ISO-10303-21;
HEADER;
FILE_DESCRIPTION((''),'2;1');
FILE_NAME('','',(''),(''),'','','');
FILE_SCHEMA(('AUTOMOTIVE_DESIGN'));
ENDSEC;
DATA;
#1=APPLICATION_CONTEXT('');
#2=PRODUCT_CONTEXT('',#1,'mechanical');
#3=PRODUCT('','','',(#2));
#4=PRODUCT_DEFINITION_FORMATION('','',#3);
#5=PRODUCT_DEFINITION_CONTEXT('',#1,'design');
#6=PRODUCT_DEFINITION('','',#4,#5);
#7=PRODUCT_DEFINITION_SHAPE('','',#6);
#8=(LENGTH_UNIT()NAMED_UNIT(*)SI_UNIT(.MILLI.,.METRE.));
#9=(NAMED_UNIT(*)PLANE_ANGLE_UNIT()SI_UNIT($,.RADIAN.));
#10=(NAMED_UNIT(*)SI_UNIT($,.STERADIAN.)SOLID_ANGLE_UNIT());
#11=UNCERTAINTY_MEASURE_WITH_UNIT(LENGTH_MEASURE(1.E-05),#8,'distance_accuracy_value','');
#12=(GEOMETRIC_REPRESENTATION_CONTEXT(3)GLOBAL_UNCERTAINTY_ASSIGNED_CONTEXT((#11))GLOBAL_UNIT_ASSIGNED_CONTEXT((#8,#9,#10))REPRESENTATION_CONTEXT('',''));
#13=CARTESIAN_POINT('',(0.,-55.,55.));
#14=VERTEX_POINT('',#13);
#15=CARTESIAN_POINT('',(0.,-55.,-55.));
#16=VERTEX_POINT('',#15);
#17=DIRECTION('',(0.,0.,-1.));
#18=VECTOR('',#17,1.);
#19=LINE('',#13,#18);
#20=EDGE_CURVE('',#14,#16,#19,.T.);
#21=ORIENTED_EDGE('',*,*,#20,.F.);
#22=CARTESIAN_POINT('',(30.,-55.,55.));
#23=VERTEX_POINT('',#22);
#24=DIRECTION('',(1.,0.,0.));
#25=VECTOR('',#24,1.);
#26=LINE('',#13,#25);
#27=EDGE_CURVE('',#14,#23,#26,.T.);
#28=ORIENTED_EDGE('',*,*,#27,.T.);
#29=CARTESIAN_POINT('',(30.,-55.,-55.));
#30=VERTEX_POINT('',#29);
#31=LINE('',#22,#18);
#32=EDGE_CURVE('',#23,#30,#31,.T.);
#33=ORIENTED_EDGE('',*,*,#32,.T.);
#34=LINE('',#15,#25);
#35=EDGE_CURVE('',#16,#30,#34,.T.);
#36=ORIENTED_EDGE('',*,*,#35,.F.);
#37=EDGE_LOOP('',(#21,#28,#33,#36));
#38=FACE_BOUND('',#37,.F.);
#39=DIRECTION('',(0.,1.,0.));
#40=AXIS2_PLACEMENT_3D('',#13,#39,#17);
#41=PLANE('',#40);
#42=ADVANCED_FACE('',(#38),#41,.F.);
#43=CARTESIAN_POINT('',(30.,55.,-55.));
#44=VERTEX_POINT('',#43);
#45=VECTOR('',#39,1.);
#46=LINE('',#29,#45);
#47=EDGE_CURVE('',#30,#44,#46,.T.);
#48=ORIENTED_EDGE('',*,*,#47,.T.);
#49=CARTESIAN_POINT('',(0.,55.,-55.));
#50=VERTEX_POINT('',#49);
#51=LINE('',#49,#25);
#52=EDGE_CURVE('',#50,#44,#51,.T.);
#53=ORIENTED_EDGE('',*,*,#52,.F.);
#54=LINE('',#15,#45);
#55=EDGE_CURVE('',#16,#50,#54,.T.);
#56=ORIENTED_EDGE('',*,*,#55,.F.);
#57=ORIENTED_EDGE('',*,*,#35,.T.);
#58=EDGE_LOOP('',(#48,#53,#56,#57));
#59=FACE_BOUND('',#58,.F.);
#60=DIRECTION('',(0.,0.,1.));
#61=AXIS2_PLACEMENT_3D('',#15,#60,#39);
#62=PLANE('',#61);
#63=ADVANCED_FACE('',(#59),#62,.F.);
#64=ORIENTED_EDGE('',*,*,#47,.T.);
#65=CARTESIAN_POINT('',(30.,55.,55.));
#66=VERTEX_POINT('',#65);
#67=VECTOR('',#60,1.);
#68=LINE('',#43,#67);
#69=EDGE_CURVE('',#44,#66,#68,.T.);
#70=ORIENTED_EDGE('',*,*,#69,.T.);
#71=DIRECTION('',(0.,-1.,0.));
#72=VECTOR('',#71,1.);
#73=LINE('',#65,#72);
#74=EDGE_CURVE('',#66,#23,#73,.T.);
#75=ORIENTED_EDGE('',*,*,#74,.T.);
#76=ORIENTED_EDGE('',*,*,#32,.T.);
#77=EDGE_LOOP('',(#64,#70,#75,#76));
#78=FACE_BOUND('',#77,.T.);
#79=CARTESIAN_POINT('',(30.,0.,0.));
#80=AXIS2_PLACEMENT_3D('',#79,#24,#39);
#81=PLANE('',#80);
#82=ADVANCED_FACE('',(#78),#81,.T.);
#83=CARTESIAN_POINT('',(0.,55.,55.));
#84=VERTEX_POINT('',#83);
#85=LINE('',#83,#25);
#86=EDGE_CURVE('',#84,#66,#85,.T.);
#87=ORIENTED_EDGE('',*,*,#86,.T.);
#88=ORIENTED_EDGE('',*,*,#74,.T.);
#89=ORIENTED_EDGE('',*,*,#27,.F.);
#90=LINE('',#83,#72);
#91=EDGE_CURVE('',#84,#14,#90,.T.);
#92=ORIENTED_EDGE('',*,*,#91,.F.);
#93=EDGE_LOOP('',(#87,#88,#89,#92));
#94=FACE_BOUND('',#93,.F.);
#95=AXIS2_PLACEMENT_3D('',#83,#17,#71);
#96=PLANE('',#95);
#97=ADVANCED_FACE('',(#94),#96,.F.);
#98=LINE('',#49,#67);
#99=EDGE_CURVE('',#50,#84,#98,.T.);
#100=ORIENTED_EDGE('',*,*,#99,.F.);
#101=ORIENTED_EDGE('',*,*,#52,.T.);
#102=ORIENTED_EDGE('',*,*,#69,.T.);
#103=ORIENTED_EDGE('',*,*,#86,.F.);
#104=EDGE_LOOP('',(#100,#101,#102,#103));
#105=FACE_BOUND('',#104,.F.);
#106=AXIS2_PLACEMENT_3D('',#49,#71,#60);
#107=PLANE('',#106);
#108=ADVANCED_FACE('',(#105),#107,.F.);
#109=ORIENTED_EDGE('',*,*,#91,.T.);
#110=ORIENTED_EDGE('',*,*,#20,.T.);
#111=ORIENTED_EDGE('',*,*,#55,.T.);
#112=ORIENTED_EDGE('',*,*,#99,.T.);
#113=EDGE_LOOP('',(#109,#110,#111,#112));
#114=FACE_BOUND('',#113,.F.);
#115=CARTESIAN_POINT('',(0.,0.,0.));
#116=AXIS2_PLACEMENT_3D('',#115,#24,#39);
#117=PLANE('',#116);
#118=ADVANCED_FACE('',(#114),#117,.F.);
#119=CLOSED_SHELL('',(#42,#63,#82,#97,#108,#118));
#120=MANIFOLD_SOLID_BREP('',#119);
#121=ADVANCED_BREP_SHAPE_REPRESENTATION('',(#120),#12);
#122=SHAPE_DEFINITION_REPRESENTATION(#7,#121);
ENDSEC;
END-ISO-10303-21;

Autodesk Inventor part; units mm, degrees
ref_plane "YZ Plane" through (0, 0, 0) normal (1, 0, 0) x (0, 1, 0)
ref_plane "XZ Plane" through (0, 0, 0) normal (0, 1, 0) x (-1, 0, 0)
ref_plane "XY Plane" through (0, 0, 0) normal (0, 0, 1) x (1, 0, 0)
sketch "Sketch1" plane through (0, 0, 0) normal (1, 0, 0) x (0, 1, 0)
  line L0 (-55, -55) -> (55, -55)
  line L1 (55, -55) -> (55, 55)
  line L2 (55, 55) -> (-55, 55)
  line L3 (-55, 55) -> (-55, -55)
  line L4 (-55, -55) -> (55, 55) construction
  line L5 (55, -55) -> (-55, 55) construction
  point P0 (0, 0)
  dimension "d0" = 110
  dimension "d1" = 110
extrude "Extrusion1" add sketch "Sketch1" along normal blind 30
equation "\"d0\" = aerogelWidth"
equation "\"d1\" = aerogelHeight"
equation "\"d2\" = aerogelThickness"
equation "\"plasticThickness\" = 6.35"
equation "\"aerogelThickness\" = 30"
equation "\"aerogelWidth\" = 110"
equation "\"aerogelHeight\" = 110"
equation "\"aerogelHolderDepth\" = 49.022"
equation "\"height\" = 127"
equation "\"width\" = 127"
equation "\"depth\" = 203.2"
equation "\"mirrorAngle\" = 2.5deg"
equation "\"mirrorThickness\" = 3.175"
equation "\"fresnelThickness\" = 0.254"
equation "\"focalLength\" = 152.4"
equation "\"ior\" = 1.49"
equation "\"centerThickness\" = 1.27"
equation "\"fresnelAngle\" = 90deg"
equation "\"fresnelEffectiveDiameter\" = 152.4"
equation "\"caseThickness\" = 6.35"
equation "\"alignmentGrooveDepth\" = 1.5875"
equation "\"alignmentGrooveClearance\" = 0.1016"
equation "\"frontPanelThickness\" = 1.5875"
equation "\"fresnelGrooveWidth\" = 1.778"
properties part number "INFN Aerogel" material "Glass"
